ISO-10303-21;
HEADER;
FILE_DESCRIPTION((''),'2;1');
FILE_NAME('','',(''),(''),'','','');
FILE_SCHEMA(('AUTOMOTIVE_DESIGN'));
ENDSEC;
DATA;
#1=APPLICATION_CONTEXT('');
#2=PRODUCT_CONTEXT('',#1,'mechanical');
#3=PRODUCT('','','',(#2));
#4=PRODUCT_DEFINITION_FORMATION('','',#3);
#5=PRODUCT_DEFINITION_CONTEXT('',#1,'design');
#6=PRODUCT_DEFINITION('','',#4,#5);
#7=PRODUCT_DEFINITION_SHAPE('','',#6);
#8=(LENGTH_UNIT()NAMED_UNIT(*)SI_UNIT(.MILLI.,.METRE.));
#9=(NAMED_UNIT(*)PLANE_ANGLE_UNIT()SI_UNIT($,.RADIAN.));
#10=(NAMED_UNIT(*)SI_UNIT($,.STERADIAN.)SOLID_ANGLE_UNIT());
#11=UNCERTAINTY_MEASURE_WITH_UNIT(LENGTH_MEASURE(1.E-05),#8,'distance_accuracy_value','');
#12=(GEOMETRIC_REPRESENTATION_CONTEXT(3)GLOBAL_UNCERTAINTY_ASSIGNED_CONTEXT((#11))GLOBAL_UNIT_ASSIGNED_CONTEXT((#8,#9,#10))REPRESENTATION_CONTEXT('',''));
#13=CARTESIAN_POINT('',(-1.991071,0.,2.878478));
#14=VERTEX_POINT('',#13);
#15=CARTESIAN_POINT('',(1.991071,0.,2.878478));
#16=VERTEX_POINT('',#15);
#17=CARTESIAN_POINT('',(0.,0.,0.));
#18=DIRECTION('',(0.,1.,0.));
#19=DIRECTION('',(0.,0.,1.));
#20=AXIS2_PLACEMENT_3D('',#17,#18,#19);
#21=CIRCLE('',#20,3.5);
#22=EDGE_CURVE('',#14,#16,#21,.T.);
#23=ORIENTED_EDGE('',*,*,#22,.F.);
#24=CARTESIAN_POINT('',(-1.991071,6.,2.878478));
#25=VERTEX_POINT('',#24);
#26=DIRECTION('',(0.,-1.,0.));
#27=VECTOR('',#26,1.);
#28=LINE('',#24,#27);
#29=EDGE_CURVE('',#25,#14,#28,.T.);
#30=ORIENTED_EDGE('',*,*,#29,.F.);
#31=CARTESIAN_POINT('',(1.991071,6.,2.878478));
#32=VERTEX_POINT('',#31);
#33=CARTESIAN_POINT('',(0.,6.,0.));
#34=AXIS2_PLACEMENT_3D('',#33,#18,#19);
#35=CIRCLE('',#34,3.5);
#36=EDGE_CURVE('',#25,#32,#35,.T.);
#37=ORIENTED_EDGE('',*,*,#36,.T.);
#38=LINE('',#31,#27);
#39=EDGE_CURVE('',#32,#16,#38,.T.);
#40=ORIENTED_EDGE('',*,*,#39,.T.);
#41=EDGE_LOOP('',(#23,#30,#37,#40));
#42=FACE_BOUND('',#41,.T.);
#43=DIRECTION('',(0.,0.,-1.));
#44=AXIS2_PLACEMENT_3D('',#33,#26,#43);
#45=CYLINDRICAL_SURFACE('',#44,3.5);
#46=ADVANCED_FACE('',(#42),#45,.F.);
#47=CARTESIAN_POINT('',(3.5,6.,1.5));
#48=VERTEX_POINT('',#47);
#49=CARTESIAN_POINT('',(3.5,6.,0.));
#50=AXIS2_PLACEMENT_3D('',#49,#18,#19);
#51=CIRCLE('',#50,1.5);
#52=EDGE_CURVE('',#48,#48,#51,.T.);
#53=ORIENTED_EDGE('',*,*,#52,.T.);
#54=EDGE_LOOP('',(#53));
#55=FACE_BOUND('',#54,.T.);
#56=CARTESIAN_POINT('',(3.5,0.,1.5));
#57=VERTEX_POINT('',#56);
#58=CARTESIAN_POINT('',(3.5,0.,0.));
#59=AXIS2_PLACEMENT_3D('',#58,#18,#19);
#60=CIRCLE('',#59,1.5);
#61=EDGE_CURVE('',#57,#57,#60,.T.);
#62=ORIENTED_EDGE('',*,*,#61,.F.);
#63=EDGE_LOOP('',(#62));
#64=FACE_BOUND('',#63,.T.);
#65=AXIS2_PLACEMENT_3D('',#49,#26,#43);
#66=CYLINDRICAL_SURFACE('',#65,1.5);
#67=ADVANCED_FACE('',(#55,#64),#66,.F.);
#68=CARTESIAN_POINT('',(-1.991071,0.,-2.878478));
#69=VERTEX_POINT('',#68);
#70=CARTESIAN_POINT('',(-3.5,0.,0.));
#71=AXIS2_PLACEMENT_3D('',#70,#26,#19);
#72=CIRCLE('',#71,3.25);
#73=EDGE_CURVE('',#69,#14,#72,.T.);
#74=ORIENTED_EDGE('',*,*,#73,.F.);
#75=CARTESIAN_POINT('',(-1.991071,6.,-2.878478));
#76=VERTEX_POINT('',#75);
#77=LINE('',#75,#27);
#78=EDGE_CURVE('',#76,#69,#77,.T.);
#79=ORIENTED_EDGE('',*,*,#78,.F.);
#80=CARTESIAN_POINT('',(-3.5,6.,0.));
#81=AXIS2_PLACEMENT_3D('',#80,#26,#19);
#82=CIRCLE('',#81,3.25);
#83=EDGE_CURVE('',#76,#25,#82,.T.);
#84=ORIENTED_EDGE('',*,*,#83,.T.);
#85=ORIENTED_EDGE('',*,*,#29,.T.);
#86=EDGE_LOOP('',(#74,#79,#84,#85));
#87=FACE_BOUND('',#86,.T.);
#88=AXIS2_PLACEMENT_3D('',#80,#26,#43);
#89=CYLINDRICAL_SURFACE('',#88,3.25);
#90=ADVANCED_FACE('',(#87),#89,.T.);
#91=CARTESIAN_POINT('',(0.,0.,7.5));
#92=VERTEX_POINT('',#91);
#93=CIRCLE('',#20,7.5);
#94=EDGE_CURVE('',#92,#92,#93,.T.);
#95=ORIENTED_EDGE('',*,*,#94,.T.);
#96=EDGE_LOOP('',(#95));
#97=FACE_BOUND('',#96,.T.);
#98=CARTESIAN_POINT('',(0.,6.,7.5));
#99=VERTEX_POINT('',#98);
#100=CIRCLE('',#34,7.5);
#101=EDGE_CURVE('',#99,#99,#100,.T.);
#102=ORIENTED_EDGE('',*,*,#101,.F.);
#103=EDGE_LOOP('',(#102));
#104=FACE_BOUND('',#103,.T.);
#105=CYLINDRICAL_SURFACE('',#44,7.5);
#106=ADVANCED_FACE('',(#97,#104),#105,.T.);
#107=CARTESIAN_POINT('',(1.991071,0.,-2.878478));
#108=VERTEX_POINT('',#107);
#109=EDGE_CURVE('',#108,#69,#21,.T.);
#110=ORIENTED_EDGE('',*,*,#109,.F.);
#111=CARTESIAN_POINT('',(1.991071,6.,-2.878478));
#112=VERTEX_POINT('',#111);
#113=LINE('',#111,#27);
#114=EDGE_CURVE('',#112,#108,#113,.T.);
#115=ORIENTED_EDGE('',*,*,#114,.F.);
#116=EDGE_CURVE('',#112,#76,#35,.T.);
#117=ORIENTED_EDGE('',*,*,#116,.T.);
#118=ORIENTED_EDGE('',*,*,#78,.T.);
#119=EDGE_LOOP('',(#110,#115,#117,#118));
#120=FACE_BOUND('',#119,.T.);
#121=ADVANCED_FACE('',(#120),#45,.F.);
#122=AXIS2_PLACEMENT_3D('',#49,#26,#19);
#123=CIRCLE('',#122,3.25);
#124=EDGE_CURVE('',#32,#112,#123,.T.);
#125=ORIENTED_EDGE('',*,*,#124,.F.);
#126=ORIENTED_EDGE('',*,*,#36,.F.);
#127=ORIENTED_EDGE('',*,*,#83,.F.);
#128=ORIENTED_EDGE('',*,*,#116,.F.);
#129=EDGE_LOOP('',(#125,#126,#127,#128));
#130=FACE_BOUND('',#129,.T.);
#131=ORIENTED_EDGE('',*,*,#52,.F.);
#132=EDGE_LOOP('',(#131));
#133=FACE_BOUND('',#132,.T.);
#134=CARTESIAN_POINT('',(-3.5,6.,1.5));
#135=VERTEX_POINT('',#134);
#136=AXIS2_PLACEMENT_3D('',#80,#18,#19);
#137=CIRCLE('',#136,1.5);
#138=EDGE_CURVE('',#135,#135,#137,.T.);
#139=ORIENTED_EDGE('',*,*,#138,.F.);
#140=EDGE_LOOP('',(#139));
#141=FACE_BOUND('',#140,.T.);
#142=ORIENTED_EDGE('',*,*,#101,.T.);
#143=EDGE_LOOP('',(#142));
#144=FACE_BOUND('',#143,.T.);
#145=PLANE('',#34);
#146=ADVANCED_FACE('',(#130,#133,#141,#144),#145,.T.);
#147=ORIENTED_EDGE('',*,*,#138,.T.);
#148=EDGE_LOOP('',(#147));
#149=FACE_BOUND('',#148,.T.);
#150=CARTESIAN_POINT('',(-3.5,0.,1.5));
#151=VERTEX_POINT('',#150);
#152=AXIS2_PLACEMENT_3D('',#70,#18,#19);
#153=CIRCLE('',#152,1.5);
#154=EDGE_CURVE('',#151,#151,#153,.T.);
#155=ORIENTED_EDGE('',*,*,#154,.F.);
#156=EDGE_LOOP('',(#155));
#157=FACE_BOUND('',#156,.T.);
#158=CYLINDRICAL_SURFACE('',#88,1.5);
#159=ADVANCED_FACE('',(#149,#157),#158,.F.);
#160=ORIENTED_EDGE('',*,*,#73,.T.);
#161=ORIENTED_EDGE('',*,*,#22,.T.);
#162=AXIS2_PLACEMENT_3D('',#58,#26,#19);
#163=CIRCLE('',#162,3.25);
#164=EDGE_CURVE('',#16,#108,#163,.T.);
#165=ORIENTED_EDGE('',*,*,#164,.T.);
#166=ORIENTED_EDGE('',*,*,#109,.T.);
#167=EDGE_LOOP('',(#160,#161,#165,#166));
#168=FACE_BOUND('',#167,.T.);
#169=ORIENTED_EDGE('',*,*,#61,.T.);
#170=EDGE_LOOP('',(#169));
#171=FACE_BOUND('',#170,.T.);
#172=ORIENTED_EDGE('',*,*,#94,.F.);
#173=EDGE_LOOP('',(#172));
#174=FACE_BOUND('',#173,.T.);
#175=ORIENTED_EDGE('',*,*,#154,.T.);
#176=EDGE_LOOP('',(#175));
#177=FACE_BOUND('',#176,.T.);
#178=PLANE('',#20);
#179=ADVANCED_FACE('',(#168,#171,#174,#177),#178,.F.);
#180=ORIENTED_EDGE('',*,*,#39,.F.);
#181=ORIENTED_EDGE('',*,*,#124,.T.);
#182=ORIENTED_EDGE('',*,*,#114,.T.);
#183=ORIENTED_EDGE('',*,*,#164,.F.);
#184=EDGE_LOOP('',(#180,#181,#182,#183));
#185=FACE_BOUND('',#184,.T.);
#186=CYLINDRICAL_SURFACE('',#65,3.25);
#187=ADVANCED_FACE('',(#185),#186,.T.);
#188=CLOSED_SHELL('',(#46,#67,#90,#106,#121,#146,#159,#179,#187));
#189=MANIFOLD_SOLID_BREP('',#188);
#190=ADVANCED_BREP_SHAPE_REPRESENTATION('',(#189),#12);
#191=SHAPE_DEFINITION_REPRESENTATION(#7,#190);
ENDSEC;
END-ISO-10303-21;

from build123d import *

# Parameters (mm, degrees)
ESQUISSE1_R        = 7.5
ESQUISSE1_R_2      = 1.5
BOSS_EXTRU_1_DEPTH = 6


with BuildPart() as part:
    # Esquisse1 → Boss.-Extru.1 (new body)
    with BuildSketch(Plane(origin=(0, 0, 0), x_dir=(1, 0, 0), z_dir=(0, 1, 0))):
        Circle(ESQUISSE1_R)
        with Locations((-3.5, 0)):
            Circle(ESQUISSE1_R_2, mode=Mode.SUBTRACT)
        with Locations((3.5, 0)):
            Circle(ESQUISSE1_R_2, mode=Mode.SUBTRACT)
        with BuildLine():
            ThreePointArc((1.991071429, 2.878477821), (0.25, 0), (1.991071429, -2.878477821))
            ThreePointArc((1.991071429, -2.878477821), (0, -3.5), (-1.991071429, -2.878477821))
            ThreePointArc((-1.991071429, -2.878477821), (-0.25, 0), (-1.991071429, 2.878477821))
            ThreePointArc((-1.991071429, 2.878477821), (0, 3.5), (1.991071429, 2.878477821))
        make_face(mode=Mode.SUBTRACT)
    extrude(amount=BOSS_EXTRU_1_DEPTH)


solid = part.part
